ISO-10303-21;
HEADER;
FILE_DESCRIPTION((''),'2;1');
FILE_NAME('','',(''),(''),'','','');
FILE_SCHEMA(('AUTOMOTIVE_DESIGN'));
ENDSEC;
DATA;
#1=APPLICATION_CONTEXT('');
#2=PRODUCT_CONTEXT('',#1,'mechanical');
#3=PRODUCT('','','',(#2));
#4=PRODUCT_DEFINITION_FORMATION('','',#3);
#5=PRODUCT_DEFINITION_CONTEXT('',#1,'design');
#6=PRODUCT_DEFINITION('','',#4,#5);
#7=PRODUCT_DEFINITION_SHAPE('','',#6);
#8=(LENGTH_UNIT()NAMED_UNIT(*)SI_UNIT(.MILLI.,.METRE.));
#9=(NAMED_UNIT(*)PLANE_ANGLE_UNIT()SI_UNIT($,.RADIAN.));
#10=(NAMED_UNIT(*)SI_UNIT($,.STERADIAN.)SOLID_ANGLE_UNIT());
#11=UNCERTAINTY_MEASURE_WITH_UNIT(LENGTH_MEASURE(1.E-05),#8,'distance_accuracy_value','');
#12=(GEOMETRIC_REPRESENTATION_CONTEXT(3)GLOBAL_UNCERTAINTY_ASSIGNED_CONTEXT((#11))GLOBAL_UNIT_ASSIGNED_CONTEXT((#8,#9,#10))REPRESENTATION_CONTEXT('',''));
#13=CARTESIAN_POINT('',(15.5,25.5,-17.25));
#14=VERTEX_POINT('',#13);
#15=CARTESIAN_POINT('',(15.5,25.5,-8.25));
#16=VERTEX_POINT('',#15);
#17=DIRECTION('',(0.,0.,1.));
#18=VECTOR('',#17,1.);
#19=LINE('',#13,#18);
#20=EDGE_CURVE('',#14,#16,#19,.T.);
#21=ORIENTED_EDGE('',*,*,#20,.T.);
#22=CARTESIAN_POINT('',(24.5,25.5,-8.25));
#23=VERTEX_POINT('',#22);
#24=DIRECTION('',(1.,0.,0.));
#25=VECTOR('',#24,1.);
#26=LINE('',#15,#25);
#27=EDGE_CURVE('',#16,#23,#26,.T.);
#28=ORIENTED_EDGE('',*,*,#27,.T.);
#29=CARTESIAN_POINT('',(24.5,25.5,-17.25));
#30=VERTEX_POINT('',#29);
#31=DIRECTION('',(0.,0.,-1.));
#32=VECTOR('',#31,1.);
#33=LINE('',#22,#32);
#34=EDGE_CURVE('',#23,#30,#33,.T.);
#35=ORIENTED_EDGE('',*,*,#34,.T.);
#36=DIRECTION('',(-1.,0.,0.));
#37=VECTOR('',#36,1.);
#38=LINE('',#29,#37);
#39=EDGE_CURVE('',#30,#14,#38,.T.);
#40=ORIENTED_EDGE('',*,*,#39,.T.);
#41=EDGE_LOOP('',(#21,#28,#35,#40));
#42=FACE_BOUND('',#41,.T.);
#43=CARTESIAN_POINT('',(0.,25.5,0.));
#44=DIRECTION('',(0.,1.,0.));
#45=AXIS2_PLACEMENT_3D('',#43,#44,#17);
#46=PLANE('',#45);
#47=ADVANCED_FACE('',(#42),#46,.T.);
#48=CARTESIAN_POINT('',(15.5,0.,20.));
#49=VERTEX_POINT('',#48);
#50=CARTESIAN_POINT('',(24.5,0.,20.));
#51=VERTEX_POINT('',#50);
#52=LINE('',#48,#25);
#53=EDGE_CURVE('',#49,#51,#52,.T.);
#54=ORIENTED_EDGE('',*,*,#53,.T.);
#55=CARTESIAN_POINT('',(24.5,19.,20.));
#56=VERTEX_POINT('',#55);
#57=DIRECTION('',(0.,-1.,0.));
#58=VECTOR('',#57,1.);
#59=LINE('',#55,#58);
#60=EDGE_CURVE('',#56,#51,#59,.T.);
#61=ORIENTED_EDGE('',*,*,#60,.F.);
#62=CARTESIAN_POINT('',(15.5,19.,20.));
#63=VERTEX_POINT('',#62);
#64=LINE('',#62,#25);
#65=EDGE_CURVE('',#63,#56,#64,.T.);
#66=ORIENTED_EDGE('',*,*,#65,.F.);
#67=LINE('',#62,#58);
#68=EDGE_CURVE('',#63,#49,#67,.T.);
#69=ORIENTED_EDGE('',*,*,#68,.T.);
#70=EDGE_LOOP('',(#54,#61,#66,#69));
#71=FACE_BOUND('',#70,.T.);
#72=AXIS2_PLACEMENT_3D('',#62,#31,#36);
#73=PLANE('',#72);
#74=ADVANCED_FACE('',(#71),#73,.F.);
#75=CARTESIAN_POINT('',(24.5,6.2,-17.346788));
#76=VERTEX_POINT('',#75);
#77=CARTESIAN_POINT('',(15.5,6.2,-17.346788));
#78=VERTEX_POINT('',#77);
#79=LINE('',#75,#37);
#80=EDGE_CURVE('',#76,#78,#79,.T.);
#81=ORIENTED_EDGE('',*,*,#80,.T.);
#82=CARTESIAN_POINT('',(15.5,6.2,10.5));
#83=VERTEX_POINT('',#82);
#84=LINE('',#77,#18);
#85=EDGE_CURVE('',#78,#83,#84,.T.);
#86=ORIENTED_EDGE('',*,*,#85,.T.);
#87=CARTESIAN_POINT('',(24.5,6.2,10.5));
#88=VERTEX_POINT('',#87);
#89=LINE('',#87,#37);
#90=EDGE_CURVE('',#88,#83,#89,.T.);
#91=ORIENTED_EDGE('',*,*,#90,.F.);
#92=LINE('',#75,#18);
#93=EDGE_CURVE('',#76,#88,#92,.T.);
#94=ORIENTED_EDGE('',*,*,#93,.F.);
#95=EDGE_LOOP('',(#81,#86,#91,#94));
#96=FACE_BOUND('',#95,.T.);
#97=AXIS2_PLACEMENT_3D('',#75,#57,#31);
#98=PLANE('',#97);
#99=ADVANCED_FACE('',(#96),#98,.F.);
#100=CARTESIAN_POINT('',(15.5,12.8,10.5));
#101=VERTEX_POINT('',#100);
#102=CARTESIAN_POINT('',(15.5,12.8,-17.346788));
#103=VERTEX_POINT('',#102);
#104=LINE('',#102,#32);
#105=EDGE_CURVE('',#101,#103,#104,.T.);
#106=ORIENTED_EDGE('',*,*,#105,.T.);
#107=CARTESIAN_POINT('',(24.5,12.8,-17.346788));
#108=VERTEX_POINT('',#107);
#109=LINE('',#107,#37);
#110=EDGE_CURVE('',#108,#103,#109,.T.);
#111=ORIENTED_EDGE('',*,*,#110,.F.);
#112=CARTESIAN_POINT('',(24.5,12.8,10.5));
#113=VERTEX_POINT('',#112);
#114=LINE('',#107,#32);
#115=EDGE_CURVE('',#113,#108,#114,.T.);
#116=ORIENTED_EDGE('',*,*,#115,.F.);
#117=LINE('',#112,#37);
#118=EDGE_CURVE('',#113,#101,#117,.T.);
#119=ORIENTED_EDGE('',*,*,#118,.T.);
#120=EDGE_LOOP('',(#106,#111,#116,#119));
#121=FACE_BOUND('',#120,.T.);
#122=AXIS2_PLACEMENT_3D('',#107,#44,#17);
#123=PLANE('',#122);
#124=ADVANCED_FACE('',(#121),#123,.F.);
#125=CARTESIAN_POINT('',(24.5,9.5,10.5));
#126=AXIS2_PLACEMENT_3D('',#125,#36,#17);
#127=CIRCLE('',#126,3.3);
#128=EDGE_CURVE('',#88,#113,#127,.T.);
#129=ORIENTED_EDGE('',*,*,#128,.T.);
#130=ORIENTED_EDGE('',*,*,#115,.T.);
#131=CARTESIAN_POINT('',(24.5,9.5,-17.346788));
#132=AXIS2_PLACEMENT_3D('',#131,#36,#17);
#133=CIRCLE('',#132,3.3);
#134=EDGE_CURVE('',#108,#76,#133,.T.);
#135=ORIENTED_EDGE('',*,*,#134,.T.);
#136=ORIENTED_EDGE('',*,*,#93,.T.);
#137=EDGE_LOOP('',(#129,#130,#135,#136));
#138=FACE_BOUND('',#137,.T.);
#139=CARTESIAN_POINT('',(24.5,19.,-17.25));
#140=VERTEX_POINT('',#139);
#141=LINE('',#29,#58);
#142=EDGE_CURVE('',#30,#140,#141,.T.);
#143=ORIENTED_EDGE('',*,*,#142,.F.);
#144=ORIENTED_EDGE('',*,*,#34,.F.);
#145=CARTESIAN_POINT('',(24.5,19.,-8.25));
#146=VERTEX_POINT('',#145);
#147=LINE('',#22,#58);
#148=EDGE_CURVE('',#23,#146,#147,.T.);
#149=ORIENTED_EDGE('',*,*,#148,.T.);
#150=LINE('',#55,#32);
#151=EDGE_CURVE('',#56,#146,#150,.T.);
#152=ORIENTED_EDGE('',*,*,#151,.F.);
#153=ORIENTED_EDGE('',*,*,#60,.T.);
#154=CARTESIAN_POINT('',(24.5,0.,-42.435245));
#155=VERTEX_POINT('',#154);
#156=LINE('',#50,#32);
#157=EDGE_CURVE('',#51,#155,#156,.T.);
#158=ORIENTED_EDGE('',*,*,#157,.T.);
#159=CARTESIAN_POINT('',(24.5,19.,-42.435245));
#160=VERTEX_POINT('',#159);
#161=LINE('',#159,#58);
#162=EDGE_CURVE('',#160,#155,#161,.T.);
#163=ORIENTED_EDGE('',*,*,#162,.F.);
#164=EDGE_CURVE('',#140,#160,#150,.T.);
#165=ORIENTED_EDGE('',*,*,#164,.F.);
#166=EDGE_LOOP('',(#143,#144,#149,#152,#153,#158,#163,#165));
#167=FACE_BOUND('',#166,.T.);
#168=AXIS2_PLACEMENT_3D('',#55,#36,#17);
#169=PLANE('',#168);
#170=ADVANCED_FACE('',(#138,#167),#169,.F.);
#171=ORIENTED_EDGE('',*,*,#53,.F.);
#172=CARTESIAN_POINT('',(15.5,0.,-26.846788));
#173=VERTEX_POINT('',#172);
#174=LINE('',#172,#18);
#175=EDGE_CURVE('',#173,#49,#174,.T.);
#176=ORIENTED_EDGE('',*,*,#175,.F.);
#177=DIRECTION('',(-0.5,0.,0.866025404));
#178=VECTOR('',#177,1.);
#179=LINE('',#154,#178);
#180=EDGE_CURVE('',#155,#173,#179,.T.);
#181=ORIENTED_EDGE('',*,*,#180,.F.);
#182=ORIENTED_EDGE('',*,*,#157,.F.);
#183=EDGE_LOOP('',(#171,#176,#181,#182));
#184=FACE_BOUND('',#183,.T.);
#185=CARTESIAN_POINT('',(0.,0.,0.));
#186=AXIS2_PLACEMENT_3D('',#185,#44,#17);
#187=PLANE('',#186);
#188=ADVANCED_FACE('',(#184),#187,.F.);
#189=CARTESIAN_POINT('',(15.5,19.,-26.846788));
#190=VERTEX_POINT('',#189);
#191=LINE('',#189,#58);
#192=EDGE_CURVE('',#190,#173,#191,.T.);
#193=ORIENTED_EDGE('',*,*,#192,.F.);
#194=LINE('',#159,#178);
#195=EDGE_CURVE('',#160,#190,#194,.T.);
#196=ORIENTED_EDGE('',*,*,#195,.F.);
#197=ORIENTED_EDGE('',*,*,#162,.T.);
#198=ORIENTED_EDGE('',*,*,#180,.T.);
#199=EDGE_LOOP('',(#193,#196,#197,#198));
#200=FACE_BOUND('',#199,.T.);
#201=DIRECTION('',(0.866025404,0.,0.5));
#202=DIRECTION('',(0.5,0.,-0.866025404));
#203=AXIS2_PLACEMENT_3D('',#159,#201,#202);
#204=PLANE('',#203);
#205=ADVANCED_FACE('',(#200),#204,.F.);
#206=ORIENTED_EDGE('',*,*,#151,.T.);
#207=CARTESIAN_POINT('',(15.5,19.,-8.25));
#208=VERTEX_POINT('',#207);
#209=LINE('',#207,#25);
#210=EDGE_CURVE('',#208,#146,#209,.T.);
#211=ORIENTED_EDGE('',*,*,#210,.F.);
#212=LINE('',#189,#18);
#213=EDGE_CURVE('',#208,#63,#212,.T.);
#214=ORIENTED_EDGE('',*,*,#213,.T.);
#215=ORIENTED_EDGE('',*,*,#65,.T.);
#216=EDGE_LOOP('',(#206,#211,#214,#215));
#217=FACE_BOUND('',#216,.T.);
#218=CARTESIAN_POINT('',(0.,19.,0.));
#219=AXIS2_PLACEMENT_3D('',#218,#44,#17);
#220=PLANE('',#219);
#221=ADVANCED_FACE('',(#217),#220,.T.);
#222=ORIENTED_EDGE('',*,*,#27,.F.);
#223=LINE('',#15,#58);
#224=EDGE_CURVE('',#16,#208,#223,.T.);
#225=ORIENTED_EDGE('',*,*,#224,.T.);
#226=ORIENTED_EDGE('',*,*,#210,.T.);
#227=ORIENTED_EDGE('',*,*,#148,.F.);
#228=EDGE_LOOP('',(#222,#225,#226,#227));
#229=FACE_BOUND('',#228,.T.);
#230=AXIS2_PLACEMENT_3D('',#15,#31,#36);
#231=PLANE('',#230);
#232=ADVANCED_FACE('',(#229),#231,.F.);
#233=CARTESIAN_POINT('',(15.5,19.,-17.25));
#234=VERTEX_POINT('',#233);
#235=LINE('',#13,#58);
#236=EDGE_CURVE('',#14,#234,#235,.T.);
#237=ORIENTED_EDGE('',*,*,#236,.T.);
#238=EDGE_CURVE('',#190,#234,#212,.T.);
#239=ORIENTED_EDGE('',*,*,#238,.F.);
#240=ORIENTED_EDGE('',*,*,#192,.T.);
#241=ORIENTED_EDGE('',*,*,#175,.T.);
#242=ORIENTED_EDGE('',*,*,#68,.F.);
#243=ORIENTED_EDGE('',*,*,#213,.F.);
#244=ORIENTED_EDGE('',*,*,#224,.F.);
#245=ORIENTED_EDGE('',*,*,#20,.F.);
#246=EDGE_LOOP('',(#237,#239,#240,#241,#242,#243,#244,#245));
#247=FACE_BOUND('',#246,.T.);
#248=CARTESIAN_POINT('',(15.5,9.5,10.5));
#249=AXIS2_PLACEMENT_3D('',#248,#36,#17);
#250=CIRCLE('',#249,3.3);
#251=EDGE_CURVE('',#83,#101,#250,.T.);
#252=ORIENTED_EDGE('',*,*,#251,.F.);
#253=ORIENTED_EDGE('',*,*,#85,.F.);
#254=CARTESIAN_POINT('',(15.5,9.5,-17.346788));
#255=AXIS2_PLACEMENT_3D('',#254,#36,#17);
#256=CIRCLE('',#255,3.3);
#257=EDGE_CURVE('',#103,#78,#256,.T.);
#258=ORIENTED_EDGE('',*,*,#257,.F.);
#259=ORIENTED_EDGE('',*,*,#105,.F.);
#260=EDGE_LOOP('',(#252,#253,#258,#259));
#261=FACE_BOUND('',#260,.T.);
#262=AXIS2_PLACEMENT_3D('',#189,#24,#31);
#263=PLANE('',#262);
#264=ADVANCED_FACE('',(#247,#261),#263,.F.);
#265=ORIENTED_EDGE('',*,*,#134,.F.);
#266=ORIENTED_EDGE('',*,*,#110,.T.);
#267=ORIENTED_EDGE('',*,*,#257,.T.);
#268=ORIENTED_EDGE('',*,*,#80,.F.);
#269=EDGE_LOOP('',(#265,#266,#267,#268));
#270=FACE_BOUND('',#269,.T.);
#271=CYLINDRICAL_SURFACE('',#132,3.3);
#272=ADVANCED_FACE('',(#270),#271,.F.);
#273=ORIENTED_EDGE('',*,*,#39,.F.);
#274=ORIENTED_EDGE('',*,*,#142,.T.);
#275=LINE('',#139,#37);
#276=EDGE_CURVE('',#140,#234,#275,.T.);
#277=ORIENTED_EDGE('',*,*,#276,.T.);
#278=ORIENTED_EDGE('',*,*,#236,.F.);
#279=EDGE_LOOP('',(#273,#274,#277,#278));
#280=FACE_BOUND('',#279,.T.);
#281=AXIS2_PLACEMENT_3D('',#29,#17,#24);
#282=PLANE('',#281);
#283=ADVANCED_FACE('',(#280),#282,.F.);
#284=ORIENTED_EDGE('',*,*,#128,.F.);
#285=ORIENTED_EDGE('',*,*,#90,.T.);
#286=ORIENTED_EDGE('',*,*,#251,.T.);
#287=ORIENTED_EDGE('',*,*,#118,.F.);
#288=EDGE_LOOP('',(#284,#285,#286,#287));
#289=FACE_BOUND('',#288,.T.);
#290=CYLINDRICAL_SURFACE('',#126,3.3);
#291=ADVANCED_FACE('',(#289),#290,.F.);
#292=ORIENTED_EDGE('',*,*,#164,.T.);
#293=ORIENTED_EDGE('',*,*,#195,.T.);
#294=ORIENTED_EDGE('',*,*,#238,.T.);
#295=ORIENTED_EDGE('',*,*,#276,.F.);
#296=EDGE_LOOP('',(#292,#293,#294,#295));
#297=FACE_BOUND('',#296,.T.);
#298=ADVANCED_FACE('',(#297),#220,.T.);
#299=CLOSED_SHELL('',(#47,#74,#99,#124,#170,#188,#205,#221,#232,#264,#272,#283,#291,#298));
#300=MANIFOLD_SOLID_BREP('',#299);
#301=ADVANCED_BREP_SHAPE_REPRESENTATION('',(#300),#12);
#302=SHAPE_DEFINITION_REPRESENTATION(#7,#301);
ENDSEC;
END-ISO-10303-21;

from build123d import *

# Parameters (mm, degrees)
BOSS_EXTRUDE1_DEPTH = 19
CUT_EXTRUDE1_DEPTH  = 10
SKETCH4_W           = 9
SKETCH4_H           = 9
BOSS_EXTRUDE3_DEPTH = 6.5


with BuildPart() as part:
    # Sketch1 → Boss-Extrude1 (new body)
    with BuildSketch(Plane(origin=(0, 0, 0), x_dir=(1, 0, 0), z_dir=(0, 1, 0))):
        Polygon((15.5, 26.846787517), (15.5, -20), (24.5, -20), (24.5, 42.435244785), align=None)
    extrude(amount=BOSS_EXTRUDE1_DEPTH)

    # Sketch3 → Cut-Extrude1 (cut, through all)
    with BuildSketch(Plane.ZY.offset(-15.5)):
        with BuildLine():
            Line((-17.346787517, 12.8), (10.5, 12.8))
            ThreePointArc((10.5, 12.8), (13.8, 9.5), (10.5, 6.2))
            Line((10.5, 6.2), (-17.346787517, 6.2))
            ThreePointArc((-17.346787517, 6.2), (-20.646787517, 9.5), (-17.346787517, 12.8))
        make_face()
    extrude(amount=-CUT_EXTRUDE1_DEPTH, mode=Mode.SUBTRACT)

    # Sketch4 → Boss-Extrude3 (add)
    with BuildSketch(Plane(origin=(0, 19, 0), x_dir=(1, 0, 0), z_dir=(0, 1, 0))):
        with Locations((20, 12.75)):
            Rectangle(SKETCH4_W, SKETCH4_H)
    extrude(amount=BOSS_EXTRUDE3_DEPTH)


solid = part.part
